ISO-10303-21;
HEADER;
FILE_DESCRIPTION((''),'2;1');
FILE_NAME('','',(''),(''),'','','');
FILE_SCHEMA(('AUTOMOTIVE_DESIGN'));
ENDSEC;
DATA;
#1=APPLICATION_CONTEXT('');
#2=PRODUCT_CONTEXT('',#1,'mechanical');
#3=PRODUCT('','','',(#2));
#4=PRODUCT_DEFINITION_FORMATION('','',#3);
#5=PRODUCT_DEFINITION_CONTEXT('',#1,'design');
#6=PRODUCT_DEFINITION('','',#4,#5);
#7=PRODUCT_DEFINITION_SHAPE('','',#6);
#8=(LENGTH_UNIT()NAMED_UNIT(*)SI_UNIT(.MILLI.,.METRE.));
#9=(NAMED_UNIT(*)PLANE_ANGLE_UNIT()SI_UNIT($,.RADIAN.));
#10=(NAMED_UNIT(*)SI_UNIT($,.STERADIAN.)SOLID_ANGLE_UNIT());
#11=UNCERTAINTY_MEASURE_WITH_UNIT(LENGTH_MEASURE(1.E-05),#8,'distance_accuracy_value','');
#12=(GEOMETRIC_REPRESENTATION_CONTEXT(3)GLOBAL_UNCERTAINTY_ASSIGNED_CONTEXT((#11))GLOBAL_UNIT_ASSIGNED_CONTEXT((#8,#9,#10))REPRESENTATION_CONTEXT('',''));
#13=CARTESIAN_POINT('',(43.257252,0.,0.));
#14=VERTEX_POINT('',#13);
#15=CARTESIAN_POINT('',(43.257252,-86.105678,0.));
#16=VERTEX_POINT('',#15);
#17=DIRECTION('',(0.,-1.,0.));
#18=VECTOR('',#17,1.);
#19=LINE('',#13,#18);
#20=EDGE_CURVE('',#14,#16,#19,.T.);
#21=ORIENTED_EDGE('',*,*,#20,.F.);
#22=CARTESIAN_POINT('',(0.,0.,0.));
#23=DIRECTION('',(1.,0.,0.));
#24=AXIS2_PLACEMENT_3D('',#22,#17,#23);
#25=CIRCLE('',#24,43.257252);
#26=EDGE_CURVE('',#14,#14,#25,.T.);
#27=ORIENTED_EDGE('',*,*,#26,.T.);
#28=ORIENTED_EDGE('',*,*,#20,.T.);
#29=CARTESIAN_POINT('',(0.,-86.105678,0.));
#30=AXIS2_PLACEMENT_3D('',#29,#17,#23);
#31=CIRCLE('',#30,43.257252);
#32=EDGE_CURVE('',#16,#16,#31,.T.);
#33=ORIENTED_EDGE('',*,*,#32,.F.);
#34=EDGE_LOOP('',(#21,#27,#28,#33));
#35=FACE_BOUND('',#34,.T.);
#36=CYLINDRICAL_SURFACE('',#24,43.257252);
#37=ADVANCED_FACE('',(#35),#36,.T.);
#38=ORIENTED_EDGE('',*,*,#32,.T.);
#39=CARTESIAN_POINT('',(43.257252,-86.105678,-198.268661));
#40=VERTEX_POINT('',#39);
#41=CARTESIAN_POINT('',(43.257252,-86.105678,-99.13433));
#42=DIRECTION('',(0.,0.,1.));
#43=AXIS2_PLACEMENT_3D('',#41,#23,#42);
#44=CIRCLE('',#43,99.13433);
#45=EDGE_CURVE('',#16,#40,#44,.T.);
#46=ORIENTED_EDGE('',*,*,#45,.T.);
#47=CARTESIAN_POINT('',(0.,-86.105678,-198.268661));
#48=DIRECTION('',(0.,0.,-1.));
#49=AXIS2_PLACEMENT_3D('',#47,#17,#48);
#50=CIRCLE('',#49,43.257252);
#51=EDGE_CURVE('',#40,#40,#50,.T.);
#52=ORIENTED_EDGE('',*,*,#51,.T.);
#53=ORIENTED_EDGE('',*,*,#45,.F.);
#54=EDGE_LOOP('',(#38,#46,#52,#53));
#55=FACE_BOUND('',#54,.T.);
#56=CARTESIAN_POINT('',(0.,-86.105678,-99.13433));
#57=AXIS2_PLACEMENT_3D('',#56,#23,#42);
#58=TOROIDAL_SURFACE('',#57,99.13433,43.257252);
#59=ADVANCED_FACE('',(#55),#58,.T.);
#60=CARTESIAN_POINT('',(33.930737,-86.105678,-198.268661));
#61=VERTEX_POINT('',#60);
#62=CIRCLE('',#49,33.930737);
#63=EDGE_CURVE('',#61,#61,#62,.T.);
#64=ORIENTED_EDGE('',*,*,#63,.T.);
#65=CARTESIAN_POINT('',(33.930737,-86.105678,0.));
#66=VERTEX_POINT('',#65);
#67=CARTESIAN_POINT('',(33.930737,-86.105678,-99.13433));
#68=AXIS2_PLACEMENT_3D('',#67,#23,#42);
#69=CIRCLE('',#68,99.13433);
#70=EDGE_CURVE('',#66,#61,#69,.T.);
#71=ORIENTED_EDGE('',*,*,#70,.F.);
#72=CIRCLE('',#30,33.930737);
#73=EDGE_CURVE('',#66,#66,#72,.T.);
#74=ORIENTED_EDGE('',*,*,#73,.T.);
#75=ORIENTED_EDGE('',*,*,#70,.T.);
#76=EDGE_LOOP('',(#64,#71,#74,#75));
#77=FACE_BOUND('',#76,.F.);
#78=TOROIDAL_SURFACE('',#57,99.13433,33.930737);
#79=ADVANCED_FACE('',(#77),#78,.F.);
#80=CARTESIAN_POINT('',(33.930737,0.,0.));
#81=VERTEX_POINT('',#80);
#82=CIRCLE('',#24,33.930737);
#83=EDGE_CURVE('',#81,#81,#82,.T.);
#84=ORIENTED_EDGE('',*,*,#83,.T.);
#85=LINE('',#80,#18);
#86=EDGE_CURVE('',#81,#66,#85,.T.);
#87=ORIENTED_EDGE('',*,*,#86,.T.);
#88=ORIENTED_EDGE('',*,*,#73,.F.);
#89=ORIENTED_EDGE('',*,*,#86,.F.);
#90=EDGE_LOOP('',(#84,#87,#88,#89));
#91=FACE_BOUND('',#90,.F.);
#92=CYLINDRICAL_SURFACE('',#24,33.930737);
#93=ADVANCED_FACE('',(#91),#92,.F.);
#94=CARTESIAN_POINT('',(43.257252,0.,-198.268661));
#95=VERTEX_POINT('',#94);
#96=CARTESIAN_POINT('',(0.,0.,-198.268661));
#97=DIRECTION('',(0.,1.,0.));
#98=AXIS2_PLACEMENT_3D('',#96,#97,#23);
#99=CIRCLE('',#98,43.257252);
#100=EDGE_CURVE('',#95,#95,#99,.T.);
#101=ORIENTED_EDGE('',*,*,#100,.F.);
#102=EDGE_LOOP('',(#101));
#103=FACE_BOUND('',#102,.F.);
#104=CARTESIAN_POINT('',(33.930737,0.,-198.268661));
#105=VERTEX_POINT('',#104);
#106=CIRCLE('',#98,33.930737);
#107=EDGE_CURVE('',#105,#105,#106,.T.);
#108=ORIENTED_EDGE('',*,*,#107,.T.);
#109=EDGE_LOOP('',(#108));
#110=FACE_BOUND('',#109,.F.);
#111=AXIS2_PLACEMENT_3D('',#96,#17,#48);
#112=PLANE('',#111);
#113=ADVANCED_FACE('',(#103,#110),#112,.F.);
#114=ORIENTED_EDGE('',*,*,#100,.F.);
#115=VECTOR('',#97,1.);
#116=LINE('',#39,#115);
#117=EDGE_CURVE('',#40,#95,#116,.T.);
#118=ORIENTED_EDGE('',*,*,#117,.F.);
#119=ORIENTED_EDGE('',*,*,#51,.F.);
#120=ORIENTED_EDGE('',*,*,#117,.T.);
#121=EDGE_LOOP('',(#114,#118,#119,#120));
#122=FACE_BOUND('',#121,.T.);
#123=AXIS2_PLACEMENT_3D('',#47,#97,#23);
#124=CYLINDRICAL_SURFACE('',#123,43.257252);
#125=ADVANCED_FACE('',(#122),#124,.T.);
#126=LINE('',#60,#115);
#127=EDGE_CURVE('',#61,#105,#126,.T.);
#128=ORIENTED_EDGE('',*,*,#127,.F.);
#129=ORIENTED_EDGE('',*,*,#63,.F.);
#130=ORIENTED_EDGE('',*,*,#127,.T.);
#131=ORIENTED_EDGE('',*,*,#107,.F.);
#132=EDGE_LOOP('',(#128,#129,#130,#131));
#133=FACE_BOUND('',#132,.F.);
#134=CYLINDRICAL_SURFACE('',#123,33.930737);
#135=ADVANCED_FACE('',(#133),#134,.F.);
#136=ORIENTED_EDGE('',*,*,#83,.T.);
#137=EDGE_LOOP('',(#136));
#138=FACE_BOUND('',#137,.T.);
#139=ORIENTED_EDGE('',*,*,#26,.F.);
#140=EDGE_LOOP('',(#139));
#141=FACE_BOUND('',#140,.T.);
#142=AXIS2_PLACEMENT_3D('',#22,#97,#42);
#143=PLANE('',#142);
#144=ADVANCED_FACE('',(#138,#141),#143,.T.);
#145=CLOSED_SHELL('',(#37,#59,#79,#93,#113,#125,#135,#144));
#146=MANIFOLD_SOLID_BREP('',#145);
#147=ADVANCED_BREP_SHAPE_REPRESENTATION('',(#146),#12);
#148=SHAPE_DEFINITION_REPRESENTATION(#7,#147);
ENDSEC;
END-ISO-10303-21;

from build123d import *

# Parameters (mm, degrees)
SKETCH1_R   = 43.257251999
SKETCH1_R_2 = 33.930736727


with BuildPart() as part:
    # Sweep1: sweep along a path in Sketch3
    with BuildLine(Plane(origin=(0, 0, 0), x_dir=(0, 0, -1), z_dir=(1, 0, 0))) as sweep1_path:
        Line((0, 0), (0, -86.105678401))
        ThreePointArc((0, -86.105678401), (99.134330473, -185.240008874), (198.268660946, -86.105678401))
        Line((198.268660946, -86.105678401), (198.268660946, 0))
    # Sketch1 → Sweep1 (sweep)
    with BuildSketch(Plane(origin=(0, 0, 0), x_dir=(1, 0, 0), z_dir=(0, 1, 0))):
        Circle(SKETCH1_R)
        Circle(SKETCH1_R_2, mode=Mode.SUBTRACT)
    sweep(path=sweep1_path.line)


solid = part.part
